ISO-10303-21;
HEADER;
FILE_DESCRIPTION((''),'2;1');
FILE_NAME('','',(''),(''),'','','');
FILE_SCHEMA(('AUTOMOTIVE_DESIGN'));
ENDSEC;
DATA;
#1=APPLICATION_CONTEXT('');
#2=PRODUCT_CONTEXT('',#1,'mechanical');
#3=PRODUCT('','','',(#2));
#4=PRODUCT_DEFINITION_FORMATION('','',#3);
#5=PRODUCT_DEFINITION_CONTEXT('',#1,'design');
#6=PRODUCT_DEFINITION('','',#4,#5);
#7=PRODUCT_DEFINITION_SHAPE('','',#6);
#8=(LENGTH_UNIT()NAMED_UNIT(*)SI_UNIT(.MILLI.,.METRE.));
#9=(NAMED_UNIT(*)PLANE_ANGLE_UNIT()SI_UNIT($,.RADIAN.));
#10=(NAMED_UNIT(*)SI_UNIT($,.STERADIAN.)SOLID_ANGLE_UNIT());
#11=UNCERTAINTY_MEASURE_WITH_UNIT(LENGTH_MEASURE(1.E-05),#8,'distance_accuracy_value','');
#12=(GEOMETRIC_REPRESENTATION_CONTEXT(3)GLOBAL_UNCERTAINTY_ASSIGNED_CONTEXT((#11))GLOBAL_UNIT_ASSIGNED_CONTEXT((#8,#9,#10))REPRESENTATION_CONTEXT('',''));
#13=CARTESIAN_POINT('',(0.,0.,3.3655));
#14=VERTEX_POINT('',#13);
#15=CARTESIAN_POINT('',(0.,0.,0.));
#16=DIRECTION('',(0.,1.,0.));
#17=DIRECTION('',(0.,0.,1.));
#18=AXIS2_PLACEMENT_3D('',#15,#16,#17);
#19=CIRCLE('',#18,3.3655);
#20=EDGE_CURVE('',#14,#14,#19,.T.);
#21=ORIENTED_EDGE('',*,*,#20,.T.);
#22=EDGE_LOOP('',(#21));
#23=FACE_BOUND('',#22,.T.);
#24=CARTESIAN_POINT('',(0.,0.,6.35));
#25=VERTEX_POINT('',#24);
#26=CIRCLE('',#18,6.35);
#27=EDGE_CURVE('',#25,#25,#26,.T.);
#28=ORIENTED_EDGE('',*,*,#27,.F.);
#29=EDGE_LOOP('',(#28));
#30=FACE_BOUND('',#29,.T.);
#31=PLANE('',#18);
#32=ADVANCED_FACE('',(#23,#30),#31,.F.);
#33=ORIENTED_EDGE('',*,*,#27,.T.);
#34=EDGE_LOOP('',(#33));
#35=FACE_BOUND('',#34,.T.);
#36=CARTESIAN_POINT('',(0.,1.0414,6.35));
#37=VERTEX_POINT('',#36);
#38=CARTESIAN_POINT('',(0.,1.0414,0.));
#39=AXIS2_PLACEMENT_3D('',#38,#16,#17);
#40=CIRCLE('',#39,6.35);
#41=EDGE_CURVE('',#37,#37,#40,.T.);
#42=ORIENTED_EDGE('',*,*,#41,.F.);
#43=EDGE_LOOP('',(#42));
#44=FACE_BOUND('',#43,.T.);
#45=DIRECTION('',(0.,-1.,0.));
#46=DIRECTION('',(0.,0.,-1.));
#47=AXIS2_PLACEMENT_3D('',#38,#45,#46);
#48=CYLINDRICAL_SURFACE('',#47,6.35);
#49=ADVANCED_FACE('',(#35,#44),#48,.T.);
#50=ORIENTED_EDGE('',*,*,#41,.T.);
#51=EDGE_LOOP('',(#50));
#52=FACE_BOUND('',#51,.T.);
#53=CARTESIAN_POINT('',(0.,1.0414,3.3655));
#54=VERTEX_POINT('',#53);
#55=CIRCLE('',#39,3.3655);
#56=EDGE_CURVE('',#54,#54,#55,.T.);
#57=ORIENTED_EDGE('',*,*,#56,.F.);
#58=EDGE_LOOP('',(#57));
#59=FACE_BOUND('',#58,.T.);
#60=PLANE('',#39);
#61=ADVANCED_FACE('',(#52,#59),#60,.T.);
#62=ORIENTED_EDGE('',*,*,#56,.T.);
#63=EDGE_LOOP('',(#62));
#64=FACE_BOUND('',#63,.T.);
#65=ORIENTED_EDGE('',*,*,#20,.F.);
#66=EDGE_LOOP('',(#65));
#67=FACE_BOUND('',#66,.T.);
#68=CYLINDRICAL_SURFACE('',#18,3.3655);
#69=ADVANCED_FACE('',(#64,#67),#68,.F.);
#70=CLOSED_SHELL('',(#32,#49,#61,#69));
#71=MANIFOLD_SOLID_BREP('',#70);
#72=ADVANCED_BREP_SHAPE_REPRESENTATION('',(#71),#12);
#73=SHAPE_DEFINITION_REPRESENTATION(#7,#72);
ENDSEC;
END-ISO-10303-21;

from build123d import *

# Parameters (mm, degrees)
SKETCH1_R           = 6.35
BOSS_EXTRUDE1_DEPTH = 1.0414
SKETCH5_R           = 3.3655
CUT_EXTRUDE1_DEPTH  = 2.0414


with BuildPart() as part:
    # Sketch1 → Boss-Extrude1 (new body)
    with BuildSketch(Plane(origin=(0, 0, 0), x_dir=(1, 0, 0), z_dir=(0, 1, 0))):
        Circle(SKETCH1_R)
    extrude(amount=BOSS_EXTRUDE1_DEPTH)

    # Sketch5 → Cut-Extrude1 (cut, through all)
    with BuildSketch(Plane(origin=(0, 1.0414, 0), x_dir=(-1, 0, 0), z_dir=(0, 1, 0))):
        Circle(SKETCH5_R)
    extrude(amount=-CUT_EXTRUDE1_DEPTH, mode=Mode.SUBTRACT)


solid = part.part
